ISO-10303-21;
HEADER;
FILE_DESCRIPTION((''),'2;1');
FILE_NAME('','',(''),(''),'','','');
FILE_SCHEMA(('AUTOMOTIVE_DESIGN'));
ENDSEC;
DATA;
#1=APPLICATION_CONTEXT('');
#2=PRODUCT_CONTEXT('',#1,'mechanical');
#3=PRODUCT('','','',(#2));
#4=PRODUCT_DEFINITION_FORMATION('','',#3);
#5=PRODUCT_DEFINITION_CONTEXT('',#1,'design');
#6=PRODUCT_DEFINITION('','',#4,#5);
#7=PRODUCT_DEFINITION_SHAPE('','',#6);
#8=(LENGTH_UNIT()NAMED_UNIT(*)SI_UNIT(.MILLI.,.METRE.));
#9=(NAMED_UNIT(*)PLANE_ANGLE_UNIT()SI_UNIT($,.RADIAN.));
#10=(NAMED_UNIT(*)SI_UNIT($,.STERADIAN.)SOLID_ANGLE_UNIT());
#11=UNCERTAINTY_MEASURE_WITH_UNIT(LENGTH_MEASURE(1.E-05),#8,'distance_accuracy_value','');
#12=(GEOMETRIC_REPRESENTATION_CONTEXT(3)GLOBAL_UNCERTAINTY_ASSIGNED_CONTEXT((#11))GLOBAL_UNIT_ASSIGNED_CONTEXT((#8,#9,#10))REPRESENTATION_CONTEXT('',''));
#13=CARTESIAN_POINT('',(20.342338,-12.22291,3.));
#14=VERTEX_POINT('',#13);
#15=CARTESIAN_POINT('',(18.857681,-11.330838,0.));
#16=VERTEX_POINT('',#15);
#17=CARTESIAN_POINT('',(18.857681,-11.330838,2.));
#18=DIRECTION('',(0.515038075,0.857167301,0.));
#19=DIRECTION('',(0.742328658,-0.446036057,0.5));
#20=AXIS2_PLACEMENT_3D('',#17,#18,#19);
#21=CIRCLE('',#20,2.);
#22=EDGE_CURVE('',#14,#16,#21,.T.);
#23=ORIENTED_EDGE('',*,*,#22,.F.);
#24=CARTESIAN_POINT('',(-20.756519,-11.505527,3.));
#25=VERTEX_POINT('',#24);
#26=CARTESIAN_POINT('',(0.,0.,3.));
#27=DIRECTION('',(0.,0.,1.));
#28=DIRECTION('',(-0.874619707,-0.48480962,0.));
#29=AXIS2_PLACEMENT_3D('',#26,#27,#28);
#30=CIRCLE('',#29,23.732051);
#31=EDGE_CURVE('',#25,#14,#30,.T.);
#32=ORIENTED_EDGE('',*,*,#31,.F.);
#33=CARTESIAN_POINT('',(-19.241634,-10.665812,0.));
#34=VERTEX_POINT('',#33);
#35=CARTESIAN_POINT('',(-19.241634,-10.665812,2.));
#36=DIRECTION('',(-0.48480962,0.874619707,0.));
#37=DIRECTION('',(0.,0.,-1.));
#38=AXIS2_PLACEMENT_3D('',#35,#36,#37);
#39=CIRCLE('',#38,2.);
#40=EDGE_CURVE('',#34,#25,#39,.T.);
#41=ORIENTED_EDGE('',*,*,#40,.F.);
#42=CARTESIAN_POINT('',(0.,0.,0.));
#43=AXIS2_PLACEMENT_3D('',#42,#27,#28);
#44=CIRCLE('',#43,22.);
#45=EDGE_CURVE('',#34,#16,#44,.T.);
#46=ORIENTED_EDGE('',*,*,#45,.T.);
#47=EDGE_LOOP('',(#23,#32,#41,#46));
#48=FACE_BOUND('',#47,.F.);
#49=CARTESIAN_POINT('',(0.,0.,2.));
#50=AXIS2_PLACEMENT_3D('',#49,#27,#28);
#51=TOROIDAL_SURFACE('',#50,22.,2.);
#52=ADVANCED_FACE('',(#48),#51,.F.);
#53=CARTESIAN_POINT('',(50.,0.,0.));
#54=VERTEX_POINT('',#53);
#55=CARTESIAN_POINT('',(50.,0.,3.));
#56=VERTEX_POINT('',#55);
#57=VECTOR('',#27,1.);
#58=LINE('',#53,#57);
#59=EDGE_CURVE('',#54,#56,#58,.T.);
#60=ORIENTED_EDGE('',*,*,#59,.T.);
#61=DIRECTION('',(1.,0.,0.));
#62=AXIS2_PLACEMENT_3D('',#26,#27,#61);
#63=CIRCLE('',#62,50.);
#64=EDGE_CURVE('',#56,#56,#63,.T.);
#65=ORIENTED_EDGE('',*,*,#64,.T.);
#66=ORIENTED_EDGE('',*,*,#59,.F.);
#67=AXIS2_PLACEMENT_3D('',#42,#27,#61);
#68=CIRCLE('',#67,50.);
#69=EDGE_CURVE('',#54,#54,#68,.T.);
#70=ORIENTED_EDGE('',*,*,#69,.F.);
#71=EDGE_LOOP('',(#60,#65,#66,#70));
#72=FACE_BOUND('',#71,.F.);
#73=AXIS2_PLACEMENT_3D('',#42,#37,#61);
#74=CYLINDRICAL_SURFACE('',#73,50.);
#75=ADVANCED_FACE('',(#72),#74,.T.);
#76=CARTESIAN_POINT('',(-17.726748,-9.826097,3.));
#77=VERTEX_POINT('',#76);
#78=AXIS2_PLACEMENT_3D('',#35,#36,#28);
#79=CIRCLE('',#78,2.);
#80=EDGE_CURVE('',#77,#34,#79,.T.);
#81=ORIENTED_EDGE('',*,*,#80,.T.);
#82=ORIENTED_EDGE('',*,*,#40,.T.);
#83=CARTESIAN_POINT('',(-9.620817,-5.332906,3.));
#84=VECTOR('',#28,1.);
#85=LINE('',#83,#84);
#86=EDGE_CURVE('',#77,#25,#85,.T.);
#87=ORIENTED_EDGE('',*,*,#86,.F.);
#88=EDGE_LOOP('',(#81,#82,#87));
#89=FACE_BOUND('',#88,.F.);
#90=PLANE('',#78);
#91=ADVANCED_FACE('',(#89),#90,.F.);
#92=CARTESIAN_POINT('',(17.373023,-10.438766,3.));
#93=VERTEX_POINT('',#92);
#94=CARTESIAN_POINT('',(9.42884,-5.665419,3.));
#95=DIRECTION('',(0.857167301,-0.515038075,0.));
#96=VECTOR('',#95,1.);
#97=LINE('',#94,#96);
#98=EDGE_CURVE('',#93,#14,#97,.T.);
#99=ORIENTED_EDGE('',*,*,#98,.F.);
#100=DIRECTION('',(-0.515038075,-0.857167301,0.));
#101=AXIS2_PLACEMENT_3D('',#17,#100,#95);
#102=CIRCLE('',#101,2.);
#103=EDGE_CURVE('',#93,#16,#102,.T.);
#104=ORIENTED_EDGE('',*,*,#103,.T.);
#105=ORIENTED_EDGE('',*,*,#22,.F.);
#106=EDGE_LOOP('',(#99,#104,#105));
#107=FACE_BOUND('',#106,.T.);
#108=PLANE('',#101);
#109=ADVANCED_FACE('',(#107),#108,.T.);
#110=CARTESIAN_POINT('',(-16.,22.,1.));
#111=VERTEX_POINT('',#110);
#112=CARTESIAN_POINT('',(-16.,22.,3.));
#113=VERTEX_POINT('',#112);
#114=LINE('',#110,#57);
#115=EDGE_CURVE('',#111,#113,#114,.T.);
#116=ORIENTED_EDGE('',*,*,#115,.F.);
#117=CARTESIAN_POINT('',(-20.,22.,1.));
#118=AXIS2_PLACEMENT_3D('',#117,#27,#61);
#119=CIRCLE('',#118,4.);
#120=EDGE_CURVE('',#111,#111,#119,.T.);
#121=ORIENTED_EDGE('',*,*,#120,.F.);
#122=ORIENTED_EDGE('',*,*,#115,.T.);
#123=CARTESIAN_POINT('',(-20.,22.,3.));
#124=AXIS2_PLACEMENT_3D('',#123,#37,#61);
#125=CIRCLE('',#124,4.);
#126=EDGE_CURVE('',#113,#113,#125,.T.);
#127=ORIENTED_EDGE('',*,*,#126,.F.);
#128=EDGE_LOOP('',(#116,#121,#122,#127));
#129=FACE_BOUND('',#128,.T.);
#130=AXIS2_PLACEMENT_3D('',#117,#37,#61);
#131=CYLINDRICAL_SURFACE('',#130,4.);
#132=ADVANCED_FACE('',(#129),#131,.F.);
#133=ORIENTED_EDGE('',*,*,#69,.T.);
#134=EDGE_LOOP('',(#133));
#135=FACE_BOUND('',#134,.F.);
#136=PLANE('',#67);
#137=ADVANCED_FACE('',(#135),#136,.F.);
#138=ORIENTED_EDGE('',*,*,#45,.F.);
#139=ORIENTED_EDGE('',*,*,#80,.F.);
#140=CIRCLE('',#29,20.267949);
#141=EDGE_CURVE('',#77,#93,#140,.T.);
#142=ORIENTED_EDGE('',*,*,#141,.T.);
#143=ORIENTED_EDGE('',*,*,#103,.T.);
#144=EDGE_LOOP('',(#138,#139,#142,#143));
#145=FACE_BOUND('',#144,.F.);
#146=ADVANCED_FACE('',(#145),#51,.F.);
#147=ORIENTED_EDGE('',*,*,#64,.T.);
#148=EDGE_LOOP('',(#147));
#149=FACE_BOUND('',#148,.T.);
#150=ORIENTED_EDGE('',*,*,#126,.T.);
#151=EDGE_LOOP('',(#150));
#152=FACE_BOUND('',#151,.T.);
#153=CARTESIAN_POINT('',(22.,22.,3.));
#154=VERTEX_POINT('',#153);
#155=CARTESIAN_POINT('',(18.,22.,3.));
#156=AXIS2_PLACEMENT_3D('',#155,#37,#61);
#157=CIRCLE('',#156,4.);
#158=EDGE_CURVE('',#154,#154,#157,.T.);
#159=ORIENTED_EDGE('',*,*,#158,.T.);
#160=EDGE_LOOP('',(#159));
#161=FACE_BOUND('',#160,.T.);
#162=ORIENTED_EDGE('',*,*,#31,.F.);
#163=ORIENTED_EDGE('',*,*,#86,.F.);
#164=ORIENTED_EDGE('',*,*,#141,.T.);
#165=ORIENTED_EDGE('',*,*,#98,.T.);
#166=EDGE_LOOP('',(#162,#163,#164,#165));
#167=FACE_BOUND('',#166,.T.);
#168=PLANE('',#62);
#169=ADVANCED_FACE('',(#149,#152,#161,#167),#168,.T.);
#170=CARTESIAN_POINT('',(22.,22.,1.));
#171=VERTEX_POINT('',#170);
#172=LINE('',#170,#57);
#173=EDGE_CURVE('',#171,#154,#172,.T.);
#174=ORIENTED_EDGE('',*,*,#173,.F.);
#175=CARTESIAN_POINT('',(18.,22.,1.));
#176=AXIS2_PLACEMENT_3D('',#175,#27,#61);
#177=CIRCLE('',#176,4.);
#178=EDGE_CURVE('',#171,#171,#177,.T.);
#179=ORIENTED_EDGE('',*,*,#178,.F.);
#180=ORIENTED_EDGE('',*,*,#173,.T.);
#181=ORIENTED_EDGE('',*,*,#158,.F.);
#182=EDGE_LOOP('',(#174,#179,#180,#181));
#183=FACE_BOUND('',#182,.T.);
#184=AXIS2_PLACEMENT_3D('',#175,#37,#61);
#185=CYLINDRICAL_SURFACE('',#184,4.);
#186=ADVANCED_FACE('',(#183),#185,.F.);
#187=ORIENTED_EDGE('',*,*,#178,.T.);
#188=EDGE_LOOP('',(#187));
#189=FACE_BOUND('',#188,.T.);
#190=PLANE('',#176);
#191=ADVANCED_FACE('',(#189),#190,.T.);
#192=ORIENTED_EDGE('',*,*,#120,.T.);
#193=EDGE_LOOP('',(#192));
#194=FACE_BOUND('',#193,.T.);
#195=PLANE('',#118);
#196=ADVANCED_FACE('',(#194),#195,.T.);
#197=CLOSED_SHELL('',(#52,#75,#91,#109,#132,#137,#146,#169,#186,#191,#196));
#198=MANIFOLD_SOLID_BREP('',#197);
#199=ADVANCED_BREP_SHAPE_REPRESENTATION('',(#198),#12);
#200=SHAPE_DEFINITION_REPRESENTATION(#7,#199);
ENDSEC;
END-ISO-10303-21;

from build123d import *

# Parameters (mm, degrees)
TORUS_R               = 2
TORUS_ANGLE           = 120
TORUS_PLACEMENT_ANGLE = 209
CYLINDER002_R         = 4
CYLINDER002_DEPTH     = 10
CYLINDER001_R         = 4
CYLINDER001_DEPTH     = 10
CYLINDER_R            = 50
CYLINDER_DEPTH        = 3


with BuildPart() as torus:
    # Torus → Torus (revolve)
    with BuildSketch(Plane.XZ):
        with Locations((22, 0)):
            Circle(TORUS_R)
    revolve(axis=Axis((0, 0, 0), (0, 0, 1)), revolution_arc=TORUS_ANGLE)


with BuildPart() as torus_1:
    # Torus placement: moved
    add(torus.part.moved(Location((0, 0, 2))).rotate(Axis((0, 0, 2), (0, 0, 1)), TORUS_PLACEMENT_ANGLE))


with BuildPart() as cylinder001:
    # Cylinder002 → Cylinder002 (new body)
    with BuildSketch(Plane(origin=(18, 22, 1), x_dir=(1, 0, 0), z_dir=(0, 0, 1))):
        Circle(CYLINDER002_R)
    extrude(amount=CYLINDER002_DEPTH)


with BuildPart() as ojos_boca:
    # Cylinder001 → Cylinder001 (new body)
    with BuildSketch(Plane(origin=(-20, 22, 1), x_dir=(1, 0, 0), z_dir=(0, 0, 1))):
        Circle(CYLINDER001_R)
    extrude(amount=CYLINDER001_DEPTH)

    # Fusion: union Cylinder001
    add(cylinder001.part)

    # Fusion001: union Torus
    add(torus_1.part)


with BuildPart() as smiley:
    # Cylinder → Cylinder (new body)
    with BuildSketch(Plane.XY):
        Circle(CYLINDER_R)
    extrude(amount=CYLINDER_DEPTH)

    # Cut: cut Ojos_Boca
    add(ojos_boca.part, mode=Mode.SUBTRACT)


solid = smiley.part
